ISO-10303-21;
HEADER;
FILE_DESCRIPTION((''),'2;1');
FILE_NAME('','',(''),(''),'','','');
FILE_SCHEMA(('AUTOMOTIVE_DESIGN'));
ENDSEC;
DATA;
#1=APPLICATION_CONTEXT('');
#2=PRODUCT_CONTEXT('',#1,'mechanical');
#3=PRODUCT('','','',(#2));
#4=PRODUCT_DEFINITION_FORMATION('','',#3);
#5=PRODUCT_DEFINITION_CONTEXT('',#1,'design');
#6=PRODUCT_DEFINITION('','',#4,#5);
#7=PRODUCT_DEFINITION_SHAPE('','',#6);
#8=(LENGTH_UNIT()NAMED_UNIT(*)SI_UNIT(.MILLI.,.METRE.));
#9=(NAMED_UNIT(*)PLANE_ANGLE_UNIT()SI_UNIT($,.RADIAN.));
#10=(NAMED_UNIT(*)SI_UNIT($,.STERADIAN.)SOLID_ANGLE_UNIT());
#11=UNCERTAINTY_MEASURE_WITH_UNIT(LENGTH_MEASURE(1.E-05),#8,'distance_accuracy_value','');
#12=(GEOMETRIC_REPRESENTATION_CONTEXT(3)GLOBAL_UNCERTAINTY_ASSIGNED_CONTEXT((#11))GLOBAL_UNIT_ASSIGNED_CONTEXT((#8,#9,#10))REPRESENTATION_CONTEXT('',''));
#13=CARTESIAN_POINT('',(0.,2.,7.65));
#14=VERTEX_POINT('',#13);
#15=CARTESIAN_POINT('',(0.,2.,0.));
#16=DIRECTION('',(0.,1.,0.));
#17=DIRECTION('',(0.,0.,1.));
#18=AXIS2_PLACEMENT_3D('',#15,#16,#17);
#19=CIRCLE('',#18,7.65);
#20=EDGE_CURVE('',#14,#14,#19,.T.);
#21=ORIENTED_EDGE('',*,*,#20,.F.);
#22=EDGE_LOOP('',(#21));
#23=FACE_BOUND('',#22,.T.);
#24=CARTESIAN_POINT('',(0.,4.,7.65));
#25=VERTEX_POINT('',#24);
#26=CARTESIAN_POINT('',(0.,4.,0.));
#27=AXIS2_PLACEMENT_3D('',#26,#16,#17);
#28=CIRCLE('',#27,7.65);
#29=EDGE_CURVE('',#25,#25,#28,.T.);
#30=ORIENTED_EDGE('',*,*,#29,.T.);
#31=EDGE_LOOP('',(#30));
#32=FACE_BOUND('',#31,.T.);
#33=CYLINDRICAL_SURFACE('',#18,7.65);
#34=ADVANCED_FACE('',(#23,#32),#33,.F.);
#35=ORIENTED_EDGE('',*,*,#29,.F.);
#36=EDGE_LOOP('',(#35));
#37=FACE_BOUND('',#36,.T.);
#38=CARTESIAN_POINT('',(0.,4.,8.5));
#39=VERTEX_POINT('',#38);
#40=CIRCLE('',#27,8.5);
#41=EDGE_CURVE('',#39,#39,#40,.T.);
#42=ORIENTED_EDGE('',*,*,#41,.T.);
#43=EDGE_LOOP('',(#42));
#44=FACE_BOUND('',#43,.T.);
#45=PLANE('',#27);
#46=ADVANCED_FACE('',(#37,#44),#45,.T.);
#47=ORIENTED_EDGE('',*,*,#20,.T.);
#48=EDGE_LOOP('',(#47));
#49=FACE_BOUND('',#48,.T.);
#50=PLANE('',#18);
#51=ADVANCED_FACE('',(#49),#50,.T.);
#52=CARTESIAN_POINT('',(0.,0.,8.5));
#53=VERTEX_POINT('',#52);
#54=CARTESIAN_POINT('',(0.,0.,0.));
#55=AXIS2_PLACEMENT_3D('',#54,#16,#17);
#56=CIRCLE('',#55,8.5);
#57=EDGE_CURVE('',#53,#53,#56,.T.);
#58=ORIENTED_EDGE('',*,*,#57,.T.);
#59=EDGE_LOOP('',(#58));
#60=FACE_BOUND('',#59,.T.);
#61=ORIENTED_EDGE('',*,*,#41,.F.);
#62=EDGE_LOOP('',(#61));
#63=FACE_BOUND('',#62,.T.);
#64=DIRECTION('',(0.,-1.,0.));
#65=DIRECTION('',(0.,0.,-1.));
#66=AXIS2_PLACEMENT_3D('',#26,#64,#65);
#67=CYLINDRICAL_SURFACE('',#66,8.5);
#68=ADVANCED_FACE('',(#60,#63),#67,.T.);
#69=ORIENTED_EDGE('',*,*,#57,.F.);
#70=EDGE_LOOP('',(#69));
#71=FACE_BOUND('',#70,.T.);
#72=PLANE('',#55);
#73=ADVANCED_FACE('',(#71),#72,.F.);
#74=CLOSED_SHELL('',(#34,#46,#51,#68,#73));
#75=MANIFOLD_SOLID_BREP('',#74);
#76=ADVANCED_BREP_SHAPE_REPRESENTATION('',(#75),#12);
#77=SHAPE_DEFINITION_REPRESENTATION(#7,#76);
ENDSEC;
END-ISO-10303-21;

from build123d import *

# Parameters (mm, degrees)
SKETCH1_R           = 8.5
BOSS_EXTRUDE3_DEPTH = 4
SKETCH5_R           = 7.65
CUT_EXTRUDE2_DEPTH  = 2


with BuildPart() as part:
    # Sketch1 → Boss-Extrude3 (new body)
    with BuildSketch(Plane(origin=(0, 0, 0), x_dir=(1, 0, 0), z_dir=(0, 1, 0))):
        with Locations(Location((0, 0, 0), (0, 0, 270))):
            Circle(SKETCH1_R)
    extrude(amount=BOSS_EXTRUDE3_DEPTH)

    # Sketch5 → Cut-Extrude2 (cut)
    with BuildSketch(Plane(origin=(0, 4, 0), x_dir=(1, 0, 0), z_dir=(0, 1, 0))):
        with Locations(Location((0, 0, 0), (0, 0, 270))):
            Circle(SKETCH5_R)
    extrude(amount=-CUT_EXTRUDE2_DEPTH, mode=Mode.SUBTRACT)


solid = part.part
